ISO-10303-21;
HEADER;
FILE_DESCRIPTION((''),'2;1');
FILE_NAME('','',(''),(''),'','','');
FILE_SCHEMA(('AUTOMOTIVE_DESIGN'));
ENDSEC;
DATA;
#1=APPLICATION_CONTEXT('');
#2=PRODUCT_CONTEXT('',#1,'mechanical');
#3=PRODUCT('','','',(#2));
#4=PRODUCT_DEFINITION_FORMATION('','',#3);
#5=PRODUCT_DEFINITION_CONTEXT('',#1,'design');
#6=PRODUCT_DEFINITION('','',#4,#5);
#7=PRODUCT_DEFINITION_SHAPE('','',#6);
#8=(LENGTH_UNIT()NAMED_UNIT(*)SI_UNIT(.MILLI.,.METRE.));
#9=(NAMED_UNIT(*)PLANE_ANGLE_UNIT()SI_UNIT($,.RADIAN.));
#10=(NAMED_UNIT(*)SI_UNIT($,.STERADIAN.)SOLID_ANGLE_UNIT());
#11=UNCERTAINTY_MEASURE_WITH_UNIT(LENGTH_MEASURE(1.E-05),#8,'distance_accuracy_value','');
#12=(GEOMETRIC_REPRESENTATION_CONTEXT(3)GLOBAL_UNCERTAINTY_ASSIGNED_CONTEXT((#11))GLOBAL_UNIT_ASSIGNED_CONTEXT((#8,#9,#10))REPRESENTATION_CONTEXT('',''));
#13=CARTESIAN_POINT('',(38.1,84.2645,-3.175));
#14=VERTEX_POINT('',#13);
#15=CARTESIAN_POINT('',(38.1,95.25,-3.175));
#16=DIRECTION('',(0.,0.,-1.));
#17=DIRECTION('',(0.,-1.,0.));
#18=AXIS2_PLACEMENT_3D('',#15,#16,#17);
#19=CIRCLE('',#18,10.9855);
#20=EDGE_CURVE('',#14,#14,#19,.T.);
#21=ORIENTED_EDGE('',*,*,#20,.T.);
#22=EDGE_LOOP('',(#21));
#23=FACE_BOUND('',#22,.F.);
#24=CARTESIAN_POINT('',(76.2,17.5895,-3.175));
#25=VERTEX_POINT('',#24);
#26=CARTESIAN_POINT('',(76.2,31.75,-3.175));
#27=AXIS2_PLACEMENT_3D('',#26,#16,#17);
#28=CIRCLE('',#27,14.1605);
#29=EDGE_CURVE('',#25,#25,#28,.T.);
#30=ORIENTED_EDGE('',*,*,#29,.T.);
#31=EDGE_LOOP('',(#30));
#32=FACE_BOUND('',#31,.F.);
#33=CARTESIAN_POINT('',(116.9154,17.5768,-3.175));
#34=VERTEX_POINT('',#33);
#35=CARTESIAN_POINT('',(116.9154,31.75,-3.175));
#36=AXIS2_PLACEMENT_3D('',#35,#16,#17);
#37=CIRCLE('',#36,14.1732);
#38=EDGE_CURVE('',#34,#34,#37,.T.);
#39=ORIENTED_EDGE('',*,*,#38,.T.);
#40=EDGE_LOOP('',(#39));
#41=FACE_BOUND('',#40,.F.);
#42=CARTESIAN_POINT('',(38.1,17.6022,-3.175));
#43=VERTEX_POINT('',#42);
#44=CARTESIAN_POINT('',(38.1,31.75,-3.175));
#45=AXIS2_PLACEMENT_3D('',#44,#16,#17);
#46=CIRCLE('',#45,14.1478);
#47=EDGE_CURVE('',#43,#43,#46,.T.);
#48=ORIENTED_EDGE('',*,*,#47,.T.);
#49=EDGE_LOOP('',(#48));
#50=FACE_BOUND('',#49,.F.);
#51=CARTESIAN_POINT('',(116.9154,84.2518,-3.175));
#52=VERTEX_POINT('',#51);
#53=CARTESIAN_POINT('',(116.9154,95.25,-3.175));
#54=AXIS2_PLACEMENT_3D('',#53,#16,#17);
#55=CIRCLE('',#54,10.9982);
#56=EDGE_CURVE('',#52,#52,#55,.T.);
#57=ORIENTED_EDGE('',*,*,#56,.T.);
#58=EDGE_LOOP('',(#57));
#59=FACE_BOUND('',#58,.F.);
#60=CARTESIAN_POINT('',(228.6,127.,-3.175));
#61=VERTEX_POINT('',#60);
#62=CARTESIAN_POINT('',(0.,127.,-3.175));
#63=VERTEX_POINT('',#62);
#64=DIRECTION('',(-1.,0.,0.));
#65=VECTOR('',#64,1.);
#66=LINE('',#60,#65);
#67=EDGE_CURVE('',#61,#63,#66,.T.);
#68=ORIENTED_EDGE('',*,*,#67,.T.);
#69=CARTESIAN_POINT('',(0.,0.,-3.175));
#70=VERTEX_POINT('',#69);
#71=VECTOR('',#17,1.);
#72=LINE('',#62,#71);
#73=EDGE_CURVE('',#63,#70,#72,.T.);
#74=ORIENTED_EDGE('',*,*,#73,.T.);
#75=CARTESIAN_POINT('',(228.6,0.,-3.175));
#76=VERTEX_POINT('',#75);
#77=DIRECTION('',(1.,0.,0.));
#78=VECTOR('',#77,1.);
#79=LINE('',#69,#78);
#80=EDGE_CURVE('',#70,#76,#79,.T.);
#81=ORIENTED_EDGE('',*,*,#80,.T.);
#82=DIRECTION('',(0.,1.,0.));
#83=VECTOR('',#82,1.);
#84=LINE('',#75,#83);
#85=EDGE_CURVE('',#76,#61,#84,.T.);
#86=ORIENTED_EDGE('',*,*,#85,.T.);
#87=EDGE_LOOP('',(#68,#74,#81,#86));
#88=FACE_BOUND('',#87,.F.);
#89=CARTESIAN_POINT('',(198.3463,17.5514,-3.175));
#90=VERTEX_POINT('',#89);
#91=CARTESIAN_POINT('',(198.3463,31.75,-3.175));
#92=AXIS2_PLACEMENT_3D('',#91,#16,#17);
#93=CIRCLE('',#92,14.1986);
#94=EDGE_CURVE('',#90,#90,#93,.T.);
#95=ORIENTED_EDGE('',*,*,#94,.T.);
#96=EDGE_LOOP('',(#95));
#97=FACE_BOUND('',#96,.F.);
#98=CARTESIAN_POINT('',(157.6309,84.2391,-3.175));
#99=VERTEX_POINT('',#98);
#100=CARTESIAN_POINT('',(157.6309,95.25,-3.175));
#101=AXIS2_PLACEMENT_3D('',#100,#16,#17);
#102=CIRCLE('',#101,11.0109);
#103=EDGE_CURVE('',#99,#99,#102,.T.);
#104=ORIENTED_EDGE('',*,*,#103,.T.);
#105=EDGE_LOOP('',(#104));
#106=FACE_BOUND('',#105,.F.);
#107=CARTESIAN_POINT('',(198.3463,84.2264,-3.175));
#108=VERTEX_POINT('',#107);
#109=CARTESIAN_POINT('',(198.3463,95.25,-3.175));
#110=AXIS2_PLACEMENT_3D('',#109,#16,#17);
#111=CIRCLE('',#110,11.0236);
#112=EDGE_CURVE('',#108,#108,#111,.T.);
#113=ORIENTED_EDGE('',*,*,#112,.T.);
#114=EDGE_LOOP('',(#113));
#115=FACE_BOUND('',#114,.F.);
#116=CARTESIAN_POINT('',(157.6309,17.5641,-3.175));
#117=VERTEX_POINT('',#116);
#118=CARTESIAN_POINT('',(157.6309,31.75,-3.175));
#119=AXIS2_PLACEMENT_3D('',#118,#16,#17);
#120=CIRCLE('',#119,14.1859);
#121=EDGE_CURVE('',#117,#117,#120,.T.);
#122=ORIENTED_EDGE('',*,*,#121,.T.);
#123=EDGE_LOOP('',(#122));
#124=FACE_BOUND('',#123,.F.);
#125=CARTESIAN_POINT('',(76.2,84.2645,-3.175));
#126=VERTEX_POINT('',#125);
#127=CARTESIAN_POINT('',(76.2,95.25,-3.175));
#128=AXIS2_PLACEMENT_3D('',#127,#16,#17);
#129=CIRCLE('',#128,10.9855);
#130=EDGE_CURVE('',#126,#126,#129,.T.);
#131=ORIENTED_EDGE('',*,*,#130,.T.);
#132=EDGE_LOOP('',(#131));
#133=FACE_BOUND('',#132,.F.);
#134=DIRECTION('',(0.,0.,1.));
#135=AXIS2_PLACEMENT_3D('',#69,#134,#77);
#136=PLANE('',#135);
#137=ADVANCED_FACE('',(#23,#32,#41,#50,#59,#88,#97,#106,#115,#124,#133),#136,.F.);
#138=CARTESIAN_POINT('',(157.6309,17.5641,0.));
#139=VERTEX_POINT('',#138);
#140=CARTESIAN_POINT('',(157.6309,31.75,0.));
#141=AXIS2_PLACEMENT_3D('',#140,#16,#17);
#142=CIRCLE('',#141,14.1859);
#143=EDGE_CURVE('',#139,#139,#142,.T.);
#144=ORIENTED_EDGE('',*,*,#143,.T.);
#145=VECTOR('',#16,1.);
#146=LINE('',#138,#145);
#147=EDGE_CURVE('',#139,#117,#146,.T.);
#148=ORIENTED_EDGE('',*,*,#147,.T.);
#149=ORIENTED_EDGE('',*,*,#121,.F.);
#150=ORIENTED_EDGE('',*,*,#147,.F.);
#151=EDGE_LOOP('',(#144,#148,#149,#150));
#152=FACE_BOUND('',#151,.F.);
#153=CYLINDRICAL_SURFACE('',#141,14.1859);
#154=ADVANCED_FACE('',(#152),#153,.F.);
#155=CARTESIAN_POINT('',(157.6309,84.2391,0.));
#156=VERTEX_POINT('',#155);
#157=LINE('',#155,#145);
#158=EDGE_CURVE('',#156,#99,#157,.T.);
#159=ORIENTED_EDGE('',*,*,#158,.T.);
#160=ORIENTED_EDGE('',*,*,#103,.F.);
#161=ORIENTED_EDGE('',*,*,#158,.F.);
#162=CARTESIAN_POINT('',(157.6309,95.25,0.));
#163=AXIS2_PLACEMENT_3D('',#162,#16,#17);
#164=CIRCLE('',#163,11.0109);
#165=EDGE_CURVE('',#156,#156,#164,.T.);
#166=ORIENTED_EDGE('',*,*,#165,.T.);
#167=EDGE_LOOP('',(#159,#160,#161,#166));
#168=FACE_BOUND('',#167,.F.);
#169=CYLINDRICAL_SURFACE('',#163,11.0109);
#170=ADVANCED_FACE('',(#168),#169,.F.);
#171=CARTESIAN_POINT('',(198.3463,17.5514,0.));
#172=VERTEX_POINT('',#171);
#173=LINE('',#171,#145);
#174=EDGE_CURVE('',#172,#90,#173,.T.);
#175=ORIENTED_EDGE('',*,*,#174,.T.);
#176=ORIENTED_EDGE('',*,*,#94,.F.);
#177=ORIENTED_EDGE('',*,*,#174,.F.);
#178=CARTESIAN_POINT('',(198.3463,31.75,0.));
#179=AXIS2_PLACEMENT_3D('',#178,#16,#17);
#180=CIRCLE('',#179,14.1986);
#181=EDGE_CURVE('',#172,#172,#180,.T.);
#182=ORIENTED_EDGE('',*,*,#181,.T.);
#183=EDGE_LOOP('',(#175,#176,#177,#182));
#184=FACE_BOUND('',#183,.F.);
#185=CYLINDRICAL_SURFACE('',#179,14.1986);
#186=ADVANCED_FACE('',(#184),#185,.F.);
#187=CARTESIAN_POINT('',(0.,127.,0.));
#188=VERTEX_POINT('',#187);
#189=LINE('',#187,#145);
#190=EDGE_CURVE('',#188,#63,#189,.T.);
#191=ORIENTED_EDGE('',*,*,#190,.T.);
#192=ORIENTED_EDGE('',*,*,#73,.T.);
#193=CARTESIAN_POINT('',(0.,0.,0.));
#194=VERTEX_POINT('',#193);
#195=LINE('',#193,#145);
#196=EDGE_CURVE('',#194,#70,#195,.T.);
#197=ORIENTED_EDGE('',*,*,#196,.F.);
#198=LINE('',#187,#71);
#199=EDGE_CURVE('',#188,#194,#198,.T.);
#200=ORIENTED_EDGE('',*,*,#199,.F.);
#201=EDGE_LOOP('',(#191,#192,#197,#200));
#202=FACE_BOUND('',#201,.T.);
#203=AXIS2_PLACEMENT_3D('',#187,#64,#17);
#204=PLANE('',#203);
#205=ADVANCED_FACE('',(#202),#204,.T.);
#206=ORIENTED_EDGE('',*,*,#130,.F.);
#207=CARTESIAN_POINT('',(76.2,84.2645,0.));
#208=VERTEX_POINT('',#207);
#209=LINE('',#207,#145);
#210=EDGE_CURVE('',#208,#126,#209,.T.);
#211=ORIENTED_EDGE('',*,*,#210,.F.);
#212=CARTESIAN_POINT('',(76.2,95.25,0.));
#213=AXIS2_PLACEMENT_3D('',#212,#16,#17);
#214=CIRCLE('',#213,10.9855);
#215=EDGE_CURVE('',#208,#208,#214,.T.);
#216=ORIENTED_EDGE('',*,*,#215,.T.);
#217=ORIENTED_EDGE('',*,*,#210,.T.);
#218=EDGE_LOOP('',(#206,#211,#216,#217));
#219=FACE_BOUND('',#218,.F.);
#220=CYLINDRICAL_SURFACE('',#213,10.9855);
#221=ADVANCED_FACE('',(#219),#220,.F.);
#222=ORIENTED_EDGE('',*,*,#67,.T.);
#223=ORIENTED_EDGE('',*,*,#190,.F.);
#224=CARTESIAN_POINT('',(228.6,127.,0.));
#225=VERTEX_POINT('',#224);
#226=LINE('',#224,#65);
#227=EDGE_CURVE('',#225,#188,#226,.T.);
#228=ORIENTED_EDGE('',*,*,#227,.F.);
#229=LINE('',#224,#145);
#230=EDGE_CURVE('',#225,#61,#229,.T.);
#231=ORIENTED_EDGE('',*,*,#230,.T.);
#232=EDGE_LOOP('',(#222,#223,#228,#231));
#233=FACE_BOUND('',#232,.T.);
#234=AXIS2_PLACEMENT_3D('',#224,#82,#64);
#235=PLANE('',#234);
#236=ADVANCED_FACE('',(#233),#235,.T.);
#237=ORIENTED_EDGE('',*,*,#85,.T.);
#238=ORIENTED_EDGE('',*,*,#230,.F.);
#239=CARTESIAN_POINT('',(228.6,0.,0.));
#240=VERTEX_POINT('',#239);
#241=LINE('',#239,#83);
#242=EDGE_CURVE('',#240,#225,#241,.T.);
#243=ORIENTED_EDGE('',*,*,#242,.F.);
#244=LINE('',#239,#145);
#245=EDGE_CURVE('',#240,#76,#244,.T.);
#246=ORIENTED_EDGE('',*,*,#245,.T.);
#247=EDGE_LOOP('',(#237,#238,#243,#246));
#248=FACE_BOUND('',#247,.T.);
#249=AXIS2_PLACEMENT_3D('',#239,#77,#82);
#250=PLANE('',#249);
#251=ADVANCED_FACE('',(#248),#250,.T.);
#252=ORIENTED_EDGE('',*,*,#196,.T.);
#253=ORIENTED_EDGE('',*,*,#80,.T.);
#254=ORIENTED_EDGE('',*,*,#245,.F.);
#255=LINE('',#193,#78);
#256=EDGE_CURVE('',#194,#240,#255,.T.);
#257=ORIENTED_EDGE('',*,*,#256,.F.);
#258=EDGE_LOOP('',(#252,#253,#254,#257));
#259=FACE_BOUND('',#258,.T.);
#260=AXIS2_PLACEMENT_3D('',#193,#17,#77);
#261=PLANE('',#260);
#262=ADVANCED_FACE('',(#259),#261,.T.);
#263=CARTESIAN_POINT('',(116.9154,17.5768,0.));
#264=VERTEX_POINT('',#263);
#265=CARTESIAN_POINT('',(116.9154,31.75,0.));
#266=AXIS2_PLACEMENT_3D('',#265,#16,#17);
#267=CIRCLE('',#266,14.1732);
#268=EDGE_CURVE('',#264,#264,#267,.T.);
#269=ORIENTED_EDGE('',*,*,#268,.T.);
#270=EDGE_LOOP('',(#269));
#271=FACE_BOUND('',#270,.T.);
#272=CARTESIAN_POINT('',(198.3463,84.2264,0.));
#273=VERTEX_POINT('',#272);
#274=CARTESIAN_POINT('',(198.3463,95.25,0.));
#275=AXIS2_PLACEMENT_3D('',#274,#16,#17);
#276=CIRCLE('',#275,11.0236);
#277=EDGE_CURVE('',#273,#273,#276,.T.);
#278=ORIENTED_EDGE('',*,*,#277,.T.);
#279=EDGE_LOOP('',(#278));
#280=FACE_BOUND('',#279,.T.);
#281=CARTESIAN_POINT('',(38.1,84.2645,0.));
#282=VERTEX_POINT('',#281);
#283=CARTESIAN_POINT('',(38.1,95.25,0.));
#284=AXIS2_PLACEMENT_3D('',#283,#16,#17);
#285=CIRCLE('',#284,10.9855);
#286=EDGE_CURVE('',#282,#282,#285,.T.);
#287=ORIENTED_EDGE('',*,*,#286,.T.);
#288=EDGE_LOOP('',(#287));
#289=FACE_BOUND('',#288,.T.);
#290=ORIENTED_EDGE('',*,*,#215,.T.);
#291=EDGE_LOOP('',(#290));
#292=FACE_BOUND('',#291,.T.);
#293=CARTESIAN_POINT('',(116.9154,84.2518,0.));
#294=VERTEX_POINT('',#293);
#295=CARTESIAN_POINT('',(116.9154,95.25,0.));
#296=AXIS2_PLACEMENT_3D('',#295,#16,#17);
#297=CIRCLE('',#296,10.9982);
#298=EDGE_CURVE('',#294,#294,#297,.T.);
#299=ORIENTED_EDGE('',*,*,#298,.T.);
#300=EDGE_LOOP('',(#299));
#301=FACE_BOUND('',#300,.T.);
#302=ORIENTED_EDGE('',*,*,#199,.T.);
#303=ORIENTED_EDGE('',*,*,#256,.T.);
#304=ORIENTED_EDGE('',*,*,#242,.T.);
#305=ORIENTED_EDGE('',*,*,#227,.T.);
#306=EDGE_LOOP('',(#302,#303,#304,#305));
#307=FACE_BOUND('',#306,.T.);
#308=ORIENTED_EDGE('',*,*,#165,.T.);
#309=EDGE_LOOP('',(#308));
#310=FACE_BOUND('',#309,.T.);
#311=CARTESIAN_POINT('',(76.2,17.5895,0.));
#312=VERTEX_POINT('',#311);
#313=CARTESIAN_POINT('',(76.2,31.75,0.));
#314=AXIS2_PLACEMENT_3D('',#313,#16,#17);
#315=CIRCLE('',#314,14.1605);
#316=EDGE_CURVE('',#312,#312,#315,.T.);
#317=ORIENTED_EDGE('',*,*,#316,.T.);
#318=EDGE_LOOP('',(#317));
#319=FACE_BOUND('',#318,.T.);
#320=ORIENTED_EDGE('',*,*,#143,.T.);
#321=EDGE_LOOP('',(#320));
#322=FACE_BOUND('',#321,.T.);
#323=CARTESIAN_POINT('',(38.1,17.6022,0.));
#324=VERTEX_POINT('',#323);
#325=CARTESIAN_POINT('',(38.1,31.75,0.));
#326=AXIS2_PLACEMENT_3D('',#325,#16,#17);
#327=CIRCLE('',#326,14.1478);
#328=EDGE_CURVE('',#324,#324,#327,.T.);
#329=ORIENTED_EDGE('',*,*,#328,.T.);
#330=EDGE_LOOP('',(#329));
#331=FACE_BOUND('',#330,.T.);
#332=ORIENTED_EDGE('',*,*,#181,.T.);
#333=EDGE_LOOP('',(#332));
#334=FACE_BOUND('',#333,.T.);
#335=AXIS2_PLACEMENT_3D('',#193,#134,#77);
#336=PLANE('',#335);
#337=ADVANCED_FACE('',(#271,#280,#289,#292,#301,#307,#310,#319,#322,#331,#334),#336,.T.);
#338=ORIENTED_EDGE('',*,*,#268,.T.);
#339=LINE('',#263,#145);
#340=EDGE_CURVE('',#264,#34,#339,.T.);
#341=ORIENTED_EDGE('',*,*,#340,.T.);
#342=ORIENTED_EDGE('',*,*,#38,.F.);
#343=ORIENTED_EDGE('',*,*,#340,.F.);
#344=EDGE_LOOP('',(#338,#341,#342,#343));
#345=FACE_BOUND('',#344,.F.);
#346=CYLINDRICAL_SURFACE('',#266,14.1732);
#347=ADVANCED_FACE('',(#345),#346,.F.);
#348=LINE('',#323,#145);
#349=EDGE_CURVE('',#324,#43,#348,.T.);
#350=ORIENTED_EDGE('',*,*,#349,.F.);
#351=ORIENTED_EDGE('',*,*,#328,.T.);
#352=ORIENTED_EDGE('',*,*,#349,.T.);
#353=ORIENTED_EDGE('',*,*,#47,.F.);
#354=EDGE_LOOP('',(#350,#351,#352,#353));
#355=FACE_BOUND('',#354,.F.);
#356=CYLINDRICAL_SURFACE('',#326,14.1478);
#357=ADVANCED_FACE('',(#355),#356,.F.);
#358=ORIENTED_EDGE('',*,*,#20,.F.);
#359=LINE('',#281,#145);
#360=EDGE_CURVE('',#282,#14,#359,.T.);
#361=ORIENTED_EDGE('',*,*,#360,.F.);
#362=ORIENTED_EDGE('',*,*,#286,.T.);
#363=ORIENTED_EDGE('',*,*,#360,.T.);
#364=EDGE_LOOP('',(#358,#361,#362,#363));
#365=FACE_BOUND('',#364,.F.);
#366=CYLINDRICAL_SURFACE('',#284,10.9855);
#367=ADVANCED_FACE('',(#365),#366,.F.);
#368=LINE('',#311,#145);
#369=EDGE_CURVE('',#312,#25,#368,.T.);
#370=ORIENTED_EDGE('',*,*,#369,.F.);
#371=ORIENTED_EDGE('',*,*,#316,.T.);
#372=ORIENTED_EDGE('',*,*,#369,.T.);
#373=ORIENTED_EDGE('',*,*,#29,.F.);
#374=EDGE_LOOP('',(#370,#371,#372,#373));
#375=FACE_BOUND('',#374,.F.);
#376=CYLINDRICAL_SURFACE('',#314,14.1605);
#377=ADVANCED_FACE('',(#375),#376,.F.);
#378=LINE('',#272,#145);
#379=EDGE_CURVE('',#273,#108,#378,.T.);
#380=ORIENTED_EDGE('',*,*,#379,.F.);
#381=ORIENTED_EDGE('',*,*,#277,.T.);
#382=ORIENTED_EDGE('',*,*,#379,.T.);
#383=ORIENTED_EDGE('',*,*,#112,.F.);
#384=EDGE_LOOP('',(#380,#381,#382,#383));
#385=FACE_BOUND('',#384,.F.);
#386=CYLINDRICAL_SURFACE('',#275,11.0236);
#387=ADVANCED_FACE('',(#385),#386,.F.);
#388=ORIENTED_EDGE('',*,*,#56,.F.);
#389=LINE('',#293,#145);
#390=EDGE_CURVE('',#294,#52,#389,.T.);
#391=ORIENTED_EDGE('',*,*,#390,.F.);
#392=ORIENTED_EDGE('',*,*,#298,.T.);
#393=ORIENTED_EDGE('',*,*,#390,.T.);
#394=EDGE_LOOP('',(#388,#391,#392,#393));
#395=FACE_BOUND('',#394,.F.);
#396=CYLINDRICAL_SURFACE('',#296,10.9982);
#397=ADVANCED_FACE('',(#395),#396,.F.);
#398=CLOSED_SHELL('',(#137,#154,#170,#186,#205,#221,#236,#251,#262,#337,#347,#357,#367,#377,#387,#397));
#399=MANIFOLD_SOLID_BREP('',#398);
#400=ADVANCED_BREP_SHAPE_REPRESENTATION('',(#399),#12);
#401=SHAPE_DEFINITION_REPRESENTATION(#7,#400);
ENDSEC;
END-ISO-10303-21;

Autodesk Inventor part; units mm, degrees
ref_plane "YZ Plane" through (0, 0, 0) normal (1, 0, 0) x (0, 1, 0)
ref_plane "XZ Plane" through (0, 0, 0) normal (0, 1, 0) x (-1, 0, 0)
ref_plane "XY Plane" through (0, 0, 0) normal (0, 0, 1) x (1, 0, 0)
sketch "Sketch1" plane through (0, 0, 0) normal (0, 0, 1) x (1, 0, 0)
  line L0 (0, 0) -> (228.6, 0)
  line L1 (228.6, 0) -> (228.6, 127)
  line L2 (228.6, 127) -> (0, 127)
  line L3 (0, 127) -> (0, 0)
  dimension "d0" = 228.6
  dimension "d1" = 127
extrude "Extrusion1" add sketch "Sketch1" against normal blind 3.175
sketch "Sketch2" plane through (0, 0, 0) normal (0, 0, 1) x (1, 0, 0)
  line L0 (0, 0) -> (228.6, 0) projected
  line L1 (0, 127) -> (0, 0) projected
  point P0 (38.1, 31.75)
  point P1 (76.2, 31.75)
  point P2 (116.9154, 31.75)
  point P3 (157.6309, 31.75)
  point P4 (198.3463, 31.75)
  point P5 (0, 63.5)
  dimension "d4" = 31.75
  dimension "d5" = 38.1
  dimension "d6" = 38.1
  dimension "d7" = 40.7154
  dimension "d8" = 40.7154
  dimension "d9" = 40.7154
hole "Hole1" at (38.1, 31.75, 0) direction (0, 0, -1) diameter 28.2956 end through all
hole "Hole2" at (76.2, 31.75, 0) direction (0, 0, -1) diameter 28.321 end through all
hole "Hole3" at (116.9154, 31.75, 0) direction (0, 0, -1) diameter 28.3464 end through all
hole "Hole4" at (157.6309, 31.75, 0) direction (0, 0, -1) diameter 28.3718 end through all
hole "Hole5" at (198.3463, 31.75, 0) direction (0, 0, -1) diameter 28.3972 end through all
sketch "Sketch3" plane through (0, 0, 0) normal (0, 0, 1) x (1, 0, 0)
  line L0 (0, 0) -> (0, 127) construction
  line L1 (0, 63.5) -> (228.6, 63.5) construction
  line L2 (228.6, 127) -> (228.6, 0) construction
  point P0 (38.1, 31.75)
  point P1 (76.2, 31.75)
  point P2 (116.9154, 31.75)
  point P3 (157.6309, 31.75)
  point P4 (198.3463, 31.75)
  point P5 (38.1, 95.25)
  point P6 (76.2, 95.25)
  point P7 (116.9154, 95.25)
  point P8 (157.6309, 95.25)
  point P9 (198.3463, 95.25)
hole "Hole6" at (38.1, 95.25, 0) direction (0, 0, -1) diameter 21.971 end through all
hole "Hole7" at (76.2, 95.25, 0) direction (0, 0, -1) diameter 21.971 end through all
hole "Hole8" at (116.9154, 95.25, 0) direction (0, 0, -1) diameter 21.9964 end through all
hole "Hole9" at (157.6309, 95.25, 0) direction (0, 0, -1) diameter 22.0218 end through all
hole "Hole10" at (198.3463, 95.25, 0) direction (0, 0, -1) diameter 22.0472 end through all
equation "\"d6\" = d5"
equation "\"d8\" = d7"
equation "\"d9\" = d7"
properties part number "BEARING TEST" material "Aluminum 6061"
